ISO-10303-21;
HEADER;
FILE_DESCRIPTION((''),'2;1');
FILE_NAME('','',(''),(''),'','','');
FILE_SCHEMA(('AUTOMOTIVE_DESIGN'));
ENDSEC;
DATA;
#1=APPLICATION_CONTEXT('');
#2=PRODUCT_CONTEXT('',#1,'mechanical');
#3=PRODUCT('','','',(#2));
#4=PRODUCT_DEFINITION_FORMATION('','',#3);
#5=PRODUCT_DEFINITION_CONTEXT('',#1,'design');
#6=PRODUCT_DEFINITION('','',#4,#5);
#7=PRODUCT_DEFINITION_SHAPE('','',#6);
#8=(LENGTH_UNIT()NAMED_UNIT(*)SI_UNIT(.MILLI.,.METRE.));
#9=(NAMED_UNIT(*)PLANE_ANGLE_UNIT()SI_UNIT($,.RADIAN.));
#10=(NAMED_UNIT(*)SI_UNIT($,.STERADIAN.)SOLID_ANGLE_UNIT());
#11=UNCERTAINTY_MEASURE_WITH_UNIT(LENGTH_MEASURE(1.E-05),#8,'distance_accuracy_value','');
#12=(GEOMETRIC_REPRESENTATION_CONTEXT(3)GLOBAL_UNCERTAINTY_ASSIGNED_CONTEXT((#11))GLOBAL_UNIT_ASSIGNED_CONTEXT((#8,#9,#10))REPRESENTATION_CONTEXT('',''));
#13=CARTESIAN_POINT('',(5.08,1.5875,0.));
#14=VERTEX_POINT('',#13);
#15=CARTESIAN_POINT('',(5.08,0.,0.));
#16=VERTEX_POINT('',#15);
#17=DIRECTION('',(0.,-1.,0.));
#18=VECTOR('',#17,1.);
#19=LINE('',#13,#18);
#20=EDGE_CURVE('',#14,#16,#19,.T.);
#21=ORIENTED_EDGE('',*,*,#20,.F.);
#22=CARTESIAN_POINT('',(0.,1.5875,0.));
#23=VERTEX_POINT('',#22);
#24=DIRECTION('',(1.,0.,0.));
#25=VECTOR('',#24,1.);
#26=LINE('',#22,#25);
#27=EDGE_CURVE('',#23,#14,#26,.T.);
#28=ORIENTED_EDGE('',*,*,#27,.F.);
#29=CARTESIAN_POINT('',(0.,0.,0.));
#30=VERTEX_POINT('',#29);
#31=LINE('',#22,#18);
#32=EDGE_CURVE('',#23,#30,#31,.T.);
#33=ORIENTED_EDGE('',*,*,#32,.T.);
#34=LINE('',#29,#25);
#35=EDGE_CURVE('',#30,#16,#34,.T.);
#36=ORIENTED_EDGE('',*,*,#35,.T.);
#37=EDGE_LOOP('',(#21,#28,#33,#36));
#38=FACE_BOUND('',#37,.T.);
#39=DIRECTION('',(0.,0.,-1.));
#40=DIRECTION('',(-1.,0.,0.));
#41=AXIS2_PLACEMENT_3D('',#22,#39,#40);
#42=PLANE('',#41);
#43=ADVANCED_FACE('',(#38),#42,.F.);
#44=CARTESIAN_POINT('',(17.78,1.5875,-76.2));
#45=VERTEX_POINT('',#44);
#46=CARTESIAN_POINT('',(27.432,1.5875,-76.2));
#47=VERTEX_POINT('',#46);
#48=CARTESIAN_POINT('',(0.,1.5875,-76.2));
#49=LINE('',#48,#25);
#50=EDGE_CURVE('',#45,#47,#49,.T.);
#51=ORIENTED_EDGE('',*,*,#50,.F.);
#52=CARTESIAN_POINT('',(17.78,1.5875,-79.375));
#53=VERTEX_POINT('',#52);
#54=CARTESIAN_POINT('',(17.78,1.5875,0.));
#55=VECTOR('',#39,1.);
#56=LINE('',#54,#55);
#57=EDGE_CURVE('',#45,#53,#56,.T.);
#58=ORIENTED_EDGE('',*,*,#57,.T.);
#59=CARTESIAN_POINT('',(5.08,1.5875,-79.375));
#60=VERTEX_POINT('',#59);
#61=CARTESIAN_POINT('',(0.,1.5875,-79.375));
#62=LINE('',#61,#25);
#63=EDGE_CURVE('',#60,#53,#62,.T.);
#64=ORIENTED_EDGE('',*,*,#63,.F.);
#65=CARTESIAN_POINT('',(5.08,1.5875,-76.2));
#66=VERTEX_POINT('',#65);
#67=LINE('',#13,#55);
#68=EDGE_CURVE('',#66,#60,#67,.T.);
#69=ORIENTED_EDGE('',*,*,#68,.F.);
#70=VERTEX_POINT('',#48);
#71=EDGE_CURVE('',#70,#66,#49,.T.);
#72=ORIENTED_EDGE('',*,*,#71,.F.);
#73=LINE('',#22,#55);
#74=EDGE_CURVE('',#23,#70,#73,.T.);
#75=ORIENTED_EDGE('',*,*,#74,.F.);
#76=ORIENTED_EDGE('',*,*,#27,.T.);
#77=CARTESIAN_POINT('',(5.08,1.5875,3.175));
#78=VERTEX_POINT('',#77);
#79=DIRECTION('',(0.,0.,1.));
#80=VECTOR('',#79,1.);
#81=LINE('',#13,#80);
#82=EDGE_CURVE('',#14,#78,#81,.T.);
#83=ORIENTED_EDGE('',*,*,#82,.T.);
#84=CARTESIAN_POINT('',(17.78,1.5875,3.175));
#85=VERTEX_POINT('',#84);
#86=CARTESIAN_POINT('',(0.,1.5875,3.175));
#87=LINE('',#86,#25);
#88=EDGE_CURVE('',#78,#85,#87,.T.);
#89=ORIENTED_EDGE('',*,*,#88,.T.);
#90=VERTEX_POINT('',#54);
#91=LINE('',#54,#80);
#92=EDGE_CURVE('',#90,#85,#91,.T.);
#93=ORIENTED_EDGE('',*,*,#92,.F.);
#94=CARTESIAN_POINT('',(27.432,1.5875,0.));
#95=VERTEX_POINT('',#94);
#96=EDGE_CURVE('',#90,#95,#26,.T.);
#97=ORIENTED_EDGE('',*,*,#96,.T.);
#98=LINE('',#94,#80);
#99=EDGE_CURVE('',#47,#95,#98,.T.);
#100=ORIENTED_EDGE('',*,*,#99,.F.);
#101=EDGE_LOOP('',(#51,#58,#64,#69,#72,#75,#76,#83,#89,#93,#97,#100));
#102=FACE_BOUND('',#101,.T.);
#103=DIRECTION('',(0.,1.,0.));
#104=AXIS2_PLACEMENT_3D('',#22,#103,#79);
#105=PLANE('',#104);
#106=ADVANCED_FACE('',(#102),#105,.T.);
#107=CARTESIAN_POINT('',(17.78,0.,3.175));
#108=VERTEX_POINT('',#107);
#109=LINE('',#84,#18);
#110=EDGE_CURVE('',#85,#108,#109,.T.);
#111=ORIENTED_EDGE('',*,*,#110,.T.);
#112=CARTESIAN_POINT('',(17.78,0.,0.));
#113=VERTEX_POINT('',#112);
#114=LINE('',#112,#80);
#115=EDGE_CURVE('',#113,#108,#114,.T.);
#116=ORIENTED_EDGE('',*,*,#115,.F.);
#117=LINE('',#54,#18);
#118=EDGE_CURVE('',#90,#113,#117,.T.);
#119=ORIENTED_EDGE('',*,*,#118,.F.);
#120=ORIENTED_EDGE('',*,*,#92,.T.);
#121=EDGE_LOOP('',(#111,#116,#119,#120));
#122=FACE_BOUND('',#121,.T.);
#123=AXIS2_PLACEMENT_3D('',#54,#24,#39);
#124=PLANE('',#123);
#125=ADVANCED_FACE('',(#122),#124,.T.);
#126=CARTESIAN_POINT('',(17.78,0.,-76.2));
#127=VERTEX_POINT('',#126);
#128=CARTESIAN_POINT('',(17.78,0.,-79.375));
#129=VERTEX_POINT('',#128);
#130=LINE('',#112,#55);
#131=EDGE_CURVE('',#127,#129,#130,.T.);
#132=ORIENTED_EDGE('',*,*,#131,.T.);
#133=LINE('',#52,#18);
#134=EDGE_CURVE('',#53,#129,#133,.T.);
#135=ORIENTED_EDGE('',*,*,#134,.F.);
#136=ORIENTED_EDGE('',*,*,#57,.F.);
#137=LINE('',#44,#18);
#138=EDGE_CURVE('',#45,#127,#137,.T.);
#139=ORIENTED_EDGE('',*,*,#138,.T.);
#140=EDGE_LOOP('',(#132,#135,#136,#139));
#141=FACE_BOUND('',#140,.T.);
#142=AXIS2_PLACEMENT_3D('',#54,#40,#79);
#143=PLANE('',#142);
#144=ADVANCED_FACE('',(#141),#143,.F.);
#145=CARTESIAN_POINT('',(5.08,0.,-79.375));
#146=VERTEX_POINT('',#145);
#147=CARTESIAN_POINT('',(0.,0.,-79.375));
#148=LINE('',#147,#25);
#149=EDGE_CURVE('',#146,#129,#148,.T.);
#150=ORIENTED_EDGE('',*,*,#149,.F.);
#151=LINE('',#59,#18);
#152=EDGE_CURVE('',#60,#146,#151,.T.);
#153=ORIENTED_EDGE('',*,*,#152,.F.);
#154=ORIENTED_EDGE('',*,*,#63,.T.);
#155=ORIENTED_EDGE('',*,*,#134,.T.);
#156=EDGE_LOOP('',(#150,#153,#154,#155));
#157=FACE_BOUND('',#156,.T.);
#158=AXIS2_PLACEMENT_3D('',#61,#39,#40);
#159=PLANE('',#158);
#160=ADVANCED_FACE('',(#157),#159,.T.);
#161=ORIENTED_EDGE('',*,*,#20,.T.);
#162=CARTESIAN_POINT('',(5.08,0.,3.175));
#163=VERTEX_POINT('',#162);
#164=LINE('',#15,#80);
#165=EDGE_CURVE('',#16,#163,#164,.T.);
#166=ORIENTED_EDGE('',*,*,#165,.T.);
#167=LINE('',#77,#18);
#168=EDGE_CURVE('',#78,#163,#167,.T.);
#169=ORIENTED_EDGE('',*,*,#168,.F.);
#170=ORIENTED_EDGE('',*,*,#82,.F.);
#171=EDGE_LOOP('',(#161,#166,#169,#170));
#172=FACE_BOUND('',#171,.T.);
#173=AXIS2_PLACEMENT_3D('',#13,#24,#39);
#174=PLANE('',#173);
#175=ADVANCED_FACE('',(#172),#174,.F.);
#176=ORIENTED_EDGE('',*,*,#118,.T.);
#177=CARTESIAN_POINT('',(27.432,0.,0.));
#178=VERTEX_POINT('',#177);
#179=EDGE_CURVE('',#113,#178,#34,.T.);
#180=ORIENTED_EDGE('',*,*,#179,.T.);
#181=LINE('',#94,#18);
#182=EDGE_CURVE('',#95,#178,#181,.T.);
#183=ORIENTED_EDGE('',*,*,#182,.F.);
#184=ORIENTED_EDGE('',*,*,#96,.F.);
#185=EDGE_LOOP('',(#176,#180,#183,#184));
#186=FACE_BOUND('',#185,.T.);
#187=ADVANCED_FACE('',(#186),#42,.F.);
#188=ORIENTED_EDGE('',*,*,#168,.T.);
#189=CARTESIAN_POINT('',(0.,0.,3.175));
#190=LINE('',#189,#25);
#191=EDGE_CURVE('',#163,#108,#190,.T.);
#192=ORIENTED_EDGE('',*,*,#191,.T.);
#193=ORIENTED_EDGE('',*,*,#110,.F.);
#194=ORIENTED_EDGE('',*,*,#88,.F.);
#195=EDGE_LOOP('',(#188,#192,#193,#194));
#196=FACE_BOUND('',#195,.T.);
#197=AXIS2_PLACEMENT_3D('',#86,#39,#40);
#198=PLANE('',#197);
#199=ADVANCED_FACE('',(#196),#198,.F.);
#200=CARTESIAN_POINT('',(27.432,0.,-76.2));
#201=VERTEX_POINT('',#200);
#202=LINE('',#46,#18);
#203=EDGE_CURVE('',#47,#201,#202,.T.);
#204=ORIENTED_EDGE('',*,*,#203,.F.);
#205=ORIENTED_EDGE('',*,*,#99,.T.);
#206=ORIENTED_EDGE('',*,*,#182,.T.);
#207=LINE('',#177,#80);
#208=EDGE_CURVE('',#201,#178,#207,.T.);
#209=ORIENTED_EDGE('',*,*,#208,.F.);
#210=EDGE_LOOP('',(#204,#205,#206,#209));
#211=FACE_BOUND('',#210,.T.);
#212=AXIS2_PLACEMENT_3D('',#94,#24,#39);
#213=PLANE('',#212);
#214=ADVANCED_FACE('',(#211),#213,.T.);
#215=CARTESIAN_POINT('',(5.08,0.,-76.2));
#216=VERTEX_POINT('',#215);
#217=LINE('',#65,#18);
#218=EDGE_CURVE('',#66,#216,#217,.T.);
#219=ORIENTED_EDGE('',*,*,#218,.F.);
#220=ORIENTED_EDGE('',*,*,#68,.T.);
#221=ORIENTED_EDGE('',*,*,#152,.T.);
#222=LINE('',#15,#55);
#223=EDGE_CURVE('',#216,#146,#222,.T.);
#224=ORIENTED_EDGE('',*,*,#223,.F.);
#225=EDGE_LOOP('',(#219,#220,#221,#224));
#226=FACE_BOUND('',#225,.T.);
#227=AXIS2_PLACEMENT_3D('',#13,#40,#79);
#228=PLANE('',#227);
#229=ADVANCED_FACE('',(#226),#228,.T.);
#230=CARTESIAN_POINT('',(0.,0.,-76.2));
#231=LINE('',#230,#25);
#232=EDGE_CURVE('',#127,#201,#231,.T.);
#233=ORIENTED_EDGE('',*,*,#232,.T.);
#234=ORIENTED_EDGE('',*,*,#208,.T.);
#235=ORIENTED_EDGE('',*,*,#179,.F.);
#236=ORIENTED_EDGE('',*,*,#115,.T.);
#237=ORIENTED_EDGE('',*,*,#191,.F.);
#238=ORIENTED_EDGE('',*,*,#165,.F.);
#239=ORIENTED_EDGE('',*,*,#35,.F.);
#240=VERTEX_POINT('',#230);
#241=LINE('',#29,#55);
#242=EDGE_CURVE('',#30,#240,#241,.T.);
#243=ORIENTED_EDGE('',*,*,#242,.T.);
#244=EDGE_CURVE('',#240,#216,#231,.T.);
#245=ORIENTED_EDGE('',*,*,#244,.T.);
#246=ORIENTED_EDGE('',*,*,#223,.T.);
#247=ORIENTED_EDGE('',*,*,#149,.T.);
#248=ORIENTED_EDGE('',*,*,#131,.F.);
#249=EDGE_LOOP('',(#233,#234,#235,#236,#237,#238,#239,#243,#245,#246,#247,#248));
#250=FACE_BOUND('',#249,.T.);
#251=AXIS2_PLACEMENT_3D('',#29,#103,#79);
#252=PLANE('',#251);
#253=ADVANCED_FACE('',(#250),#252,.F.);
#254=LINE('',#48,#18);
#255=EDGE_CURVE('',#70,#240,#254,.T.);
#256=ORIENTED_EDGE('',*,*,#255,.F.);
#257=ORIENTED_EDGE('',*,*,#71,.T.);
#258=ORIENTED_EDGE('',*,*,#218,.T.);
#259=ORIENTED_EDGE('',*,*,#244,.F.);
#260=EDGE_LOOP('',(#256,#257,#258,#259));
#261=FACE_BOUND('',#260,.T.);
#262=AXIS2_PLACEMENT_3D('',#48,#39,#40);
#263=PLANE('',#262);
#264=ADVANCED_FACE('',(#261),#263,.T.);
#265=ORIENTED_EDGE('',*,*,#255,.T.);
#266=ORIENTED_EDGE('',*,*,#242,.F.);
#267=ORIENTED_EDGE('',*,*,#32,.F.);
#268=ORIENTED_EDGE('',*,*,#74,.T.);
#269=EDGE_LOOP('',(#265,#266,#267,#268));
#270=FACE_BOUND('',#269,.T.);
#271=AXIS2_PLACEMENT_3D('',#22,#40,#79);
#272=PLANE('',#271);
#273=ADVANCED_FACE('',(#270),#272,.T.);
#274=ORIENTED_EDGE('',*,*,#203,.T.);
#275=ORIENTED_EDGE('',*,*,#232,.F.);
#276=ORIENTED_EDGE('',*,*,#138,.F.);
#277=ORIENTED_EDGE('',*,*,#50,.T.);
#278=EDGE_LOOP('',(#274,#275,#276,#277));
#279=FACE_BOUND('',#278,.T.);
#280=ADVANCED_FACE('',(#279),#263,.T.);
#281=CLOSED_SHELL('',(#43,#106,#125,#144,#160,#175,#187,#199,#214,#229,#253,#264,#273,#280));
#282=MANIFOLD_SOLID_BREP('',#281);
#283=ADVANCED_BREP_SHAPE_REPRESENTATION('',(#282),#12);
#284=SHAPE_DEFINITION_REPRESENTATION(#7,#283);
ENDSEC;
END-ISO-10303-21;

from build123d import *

# Parameters (mm, degrees)
SKETCH1_W           = 12.7
SKETCH1_H           = 76.2
SKETCH1_W_2         = 5.08
SKETCH1_W_3         = 9.652
SKETCH1_H_2         = 3.175
BOSS_EXTRUDE1_DEPTH = 1.5875


with BuildPart() as part:
    # Sketch1 → Boss-Extrude1 (new body)
    with BuildSketch(Plane(origin=(0, 0, 0), x_dir=(1, 0, 0), z_dir=(0, 1, 0))):
        with Locations((11.43, 38.1)):
            Rectangle(SKETCH1_W, SKETCH1_H)
        with Locations((2.54, 38.1)):
            Rectangle(SKETCH1_W_2, SKETCH1_H)
        with Locations((22.606, 38.1)):
            Rectangle(SKETCH1_W_3, SKETCH1_H)
        with Locations((11.43, -1.5875)):
            Rectangle(SKETCH1_W, SKETCH1_H_2)
        with Locations((11.43, 77.7875)):
            Rectangle(SKETCH1_W, SKETCH1_H_2)
    extrude(amount=BOSS_EXTRUDE1_DEPTH)


solid = part.part
